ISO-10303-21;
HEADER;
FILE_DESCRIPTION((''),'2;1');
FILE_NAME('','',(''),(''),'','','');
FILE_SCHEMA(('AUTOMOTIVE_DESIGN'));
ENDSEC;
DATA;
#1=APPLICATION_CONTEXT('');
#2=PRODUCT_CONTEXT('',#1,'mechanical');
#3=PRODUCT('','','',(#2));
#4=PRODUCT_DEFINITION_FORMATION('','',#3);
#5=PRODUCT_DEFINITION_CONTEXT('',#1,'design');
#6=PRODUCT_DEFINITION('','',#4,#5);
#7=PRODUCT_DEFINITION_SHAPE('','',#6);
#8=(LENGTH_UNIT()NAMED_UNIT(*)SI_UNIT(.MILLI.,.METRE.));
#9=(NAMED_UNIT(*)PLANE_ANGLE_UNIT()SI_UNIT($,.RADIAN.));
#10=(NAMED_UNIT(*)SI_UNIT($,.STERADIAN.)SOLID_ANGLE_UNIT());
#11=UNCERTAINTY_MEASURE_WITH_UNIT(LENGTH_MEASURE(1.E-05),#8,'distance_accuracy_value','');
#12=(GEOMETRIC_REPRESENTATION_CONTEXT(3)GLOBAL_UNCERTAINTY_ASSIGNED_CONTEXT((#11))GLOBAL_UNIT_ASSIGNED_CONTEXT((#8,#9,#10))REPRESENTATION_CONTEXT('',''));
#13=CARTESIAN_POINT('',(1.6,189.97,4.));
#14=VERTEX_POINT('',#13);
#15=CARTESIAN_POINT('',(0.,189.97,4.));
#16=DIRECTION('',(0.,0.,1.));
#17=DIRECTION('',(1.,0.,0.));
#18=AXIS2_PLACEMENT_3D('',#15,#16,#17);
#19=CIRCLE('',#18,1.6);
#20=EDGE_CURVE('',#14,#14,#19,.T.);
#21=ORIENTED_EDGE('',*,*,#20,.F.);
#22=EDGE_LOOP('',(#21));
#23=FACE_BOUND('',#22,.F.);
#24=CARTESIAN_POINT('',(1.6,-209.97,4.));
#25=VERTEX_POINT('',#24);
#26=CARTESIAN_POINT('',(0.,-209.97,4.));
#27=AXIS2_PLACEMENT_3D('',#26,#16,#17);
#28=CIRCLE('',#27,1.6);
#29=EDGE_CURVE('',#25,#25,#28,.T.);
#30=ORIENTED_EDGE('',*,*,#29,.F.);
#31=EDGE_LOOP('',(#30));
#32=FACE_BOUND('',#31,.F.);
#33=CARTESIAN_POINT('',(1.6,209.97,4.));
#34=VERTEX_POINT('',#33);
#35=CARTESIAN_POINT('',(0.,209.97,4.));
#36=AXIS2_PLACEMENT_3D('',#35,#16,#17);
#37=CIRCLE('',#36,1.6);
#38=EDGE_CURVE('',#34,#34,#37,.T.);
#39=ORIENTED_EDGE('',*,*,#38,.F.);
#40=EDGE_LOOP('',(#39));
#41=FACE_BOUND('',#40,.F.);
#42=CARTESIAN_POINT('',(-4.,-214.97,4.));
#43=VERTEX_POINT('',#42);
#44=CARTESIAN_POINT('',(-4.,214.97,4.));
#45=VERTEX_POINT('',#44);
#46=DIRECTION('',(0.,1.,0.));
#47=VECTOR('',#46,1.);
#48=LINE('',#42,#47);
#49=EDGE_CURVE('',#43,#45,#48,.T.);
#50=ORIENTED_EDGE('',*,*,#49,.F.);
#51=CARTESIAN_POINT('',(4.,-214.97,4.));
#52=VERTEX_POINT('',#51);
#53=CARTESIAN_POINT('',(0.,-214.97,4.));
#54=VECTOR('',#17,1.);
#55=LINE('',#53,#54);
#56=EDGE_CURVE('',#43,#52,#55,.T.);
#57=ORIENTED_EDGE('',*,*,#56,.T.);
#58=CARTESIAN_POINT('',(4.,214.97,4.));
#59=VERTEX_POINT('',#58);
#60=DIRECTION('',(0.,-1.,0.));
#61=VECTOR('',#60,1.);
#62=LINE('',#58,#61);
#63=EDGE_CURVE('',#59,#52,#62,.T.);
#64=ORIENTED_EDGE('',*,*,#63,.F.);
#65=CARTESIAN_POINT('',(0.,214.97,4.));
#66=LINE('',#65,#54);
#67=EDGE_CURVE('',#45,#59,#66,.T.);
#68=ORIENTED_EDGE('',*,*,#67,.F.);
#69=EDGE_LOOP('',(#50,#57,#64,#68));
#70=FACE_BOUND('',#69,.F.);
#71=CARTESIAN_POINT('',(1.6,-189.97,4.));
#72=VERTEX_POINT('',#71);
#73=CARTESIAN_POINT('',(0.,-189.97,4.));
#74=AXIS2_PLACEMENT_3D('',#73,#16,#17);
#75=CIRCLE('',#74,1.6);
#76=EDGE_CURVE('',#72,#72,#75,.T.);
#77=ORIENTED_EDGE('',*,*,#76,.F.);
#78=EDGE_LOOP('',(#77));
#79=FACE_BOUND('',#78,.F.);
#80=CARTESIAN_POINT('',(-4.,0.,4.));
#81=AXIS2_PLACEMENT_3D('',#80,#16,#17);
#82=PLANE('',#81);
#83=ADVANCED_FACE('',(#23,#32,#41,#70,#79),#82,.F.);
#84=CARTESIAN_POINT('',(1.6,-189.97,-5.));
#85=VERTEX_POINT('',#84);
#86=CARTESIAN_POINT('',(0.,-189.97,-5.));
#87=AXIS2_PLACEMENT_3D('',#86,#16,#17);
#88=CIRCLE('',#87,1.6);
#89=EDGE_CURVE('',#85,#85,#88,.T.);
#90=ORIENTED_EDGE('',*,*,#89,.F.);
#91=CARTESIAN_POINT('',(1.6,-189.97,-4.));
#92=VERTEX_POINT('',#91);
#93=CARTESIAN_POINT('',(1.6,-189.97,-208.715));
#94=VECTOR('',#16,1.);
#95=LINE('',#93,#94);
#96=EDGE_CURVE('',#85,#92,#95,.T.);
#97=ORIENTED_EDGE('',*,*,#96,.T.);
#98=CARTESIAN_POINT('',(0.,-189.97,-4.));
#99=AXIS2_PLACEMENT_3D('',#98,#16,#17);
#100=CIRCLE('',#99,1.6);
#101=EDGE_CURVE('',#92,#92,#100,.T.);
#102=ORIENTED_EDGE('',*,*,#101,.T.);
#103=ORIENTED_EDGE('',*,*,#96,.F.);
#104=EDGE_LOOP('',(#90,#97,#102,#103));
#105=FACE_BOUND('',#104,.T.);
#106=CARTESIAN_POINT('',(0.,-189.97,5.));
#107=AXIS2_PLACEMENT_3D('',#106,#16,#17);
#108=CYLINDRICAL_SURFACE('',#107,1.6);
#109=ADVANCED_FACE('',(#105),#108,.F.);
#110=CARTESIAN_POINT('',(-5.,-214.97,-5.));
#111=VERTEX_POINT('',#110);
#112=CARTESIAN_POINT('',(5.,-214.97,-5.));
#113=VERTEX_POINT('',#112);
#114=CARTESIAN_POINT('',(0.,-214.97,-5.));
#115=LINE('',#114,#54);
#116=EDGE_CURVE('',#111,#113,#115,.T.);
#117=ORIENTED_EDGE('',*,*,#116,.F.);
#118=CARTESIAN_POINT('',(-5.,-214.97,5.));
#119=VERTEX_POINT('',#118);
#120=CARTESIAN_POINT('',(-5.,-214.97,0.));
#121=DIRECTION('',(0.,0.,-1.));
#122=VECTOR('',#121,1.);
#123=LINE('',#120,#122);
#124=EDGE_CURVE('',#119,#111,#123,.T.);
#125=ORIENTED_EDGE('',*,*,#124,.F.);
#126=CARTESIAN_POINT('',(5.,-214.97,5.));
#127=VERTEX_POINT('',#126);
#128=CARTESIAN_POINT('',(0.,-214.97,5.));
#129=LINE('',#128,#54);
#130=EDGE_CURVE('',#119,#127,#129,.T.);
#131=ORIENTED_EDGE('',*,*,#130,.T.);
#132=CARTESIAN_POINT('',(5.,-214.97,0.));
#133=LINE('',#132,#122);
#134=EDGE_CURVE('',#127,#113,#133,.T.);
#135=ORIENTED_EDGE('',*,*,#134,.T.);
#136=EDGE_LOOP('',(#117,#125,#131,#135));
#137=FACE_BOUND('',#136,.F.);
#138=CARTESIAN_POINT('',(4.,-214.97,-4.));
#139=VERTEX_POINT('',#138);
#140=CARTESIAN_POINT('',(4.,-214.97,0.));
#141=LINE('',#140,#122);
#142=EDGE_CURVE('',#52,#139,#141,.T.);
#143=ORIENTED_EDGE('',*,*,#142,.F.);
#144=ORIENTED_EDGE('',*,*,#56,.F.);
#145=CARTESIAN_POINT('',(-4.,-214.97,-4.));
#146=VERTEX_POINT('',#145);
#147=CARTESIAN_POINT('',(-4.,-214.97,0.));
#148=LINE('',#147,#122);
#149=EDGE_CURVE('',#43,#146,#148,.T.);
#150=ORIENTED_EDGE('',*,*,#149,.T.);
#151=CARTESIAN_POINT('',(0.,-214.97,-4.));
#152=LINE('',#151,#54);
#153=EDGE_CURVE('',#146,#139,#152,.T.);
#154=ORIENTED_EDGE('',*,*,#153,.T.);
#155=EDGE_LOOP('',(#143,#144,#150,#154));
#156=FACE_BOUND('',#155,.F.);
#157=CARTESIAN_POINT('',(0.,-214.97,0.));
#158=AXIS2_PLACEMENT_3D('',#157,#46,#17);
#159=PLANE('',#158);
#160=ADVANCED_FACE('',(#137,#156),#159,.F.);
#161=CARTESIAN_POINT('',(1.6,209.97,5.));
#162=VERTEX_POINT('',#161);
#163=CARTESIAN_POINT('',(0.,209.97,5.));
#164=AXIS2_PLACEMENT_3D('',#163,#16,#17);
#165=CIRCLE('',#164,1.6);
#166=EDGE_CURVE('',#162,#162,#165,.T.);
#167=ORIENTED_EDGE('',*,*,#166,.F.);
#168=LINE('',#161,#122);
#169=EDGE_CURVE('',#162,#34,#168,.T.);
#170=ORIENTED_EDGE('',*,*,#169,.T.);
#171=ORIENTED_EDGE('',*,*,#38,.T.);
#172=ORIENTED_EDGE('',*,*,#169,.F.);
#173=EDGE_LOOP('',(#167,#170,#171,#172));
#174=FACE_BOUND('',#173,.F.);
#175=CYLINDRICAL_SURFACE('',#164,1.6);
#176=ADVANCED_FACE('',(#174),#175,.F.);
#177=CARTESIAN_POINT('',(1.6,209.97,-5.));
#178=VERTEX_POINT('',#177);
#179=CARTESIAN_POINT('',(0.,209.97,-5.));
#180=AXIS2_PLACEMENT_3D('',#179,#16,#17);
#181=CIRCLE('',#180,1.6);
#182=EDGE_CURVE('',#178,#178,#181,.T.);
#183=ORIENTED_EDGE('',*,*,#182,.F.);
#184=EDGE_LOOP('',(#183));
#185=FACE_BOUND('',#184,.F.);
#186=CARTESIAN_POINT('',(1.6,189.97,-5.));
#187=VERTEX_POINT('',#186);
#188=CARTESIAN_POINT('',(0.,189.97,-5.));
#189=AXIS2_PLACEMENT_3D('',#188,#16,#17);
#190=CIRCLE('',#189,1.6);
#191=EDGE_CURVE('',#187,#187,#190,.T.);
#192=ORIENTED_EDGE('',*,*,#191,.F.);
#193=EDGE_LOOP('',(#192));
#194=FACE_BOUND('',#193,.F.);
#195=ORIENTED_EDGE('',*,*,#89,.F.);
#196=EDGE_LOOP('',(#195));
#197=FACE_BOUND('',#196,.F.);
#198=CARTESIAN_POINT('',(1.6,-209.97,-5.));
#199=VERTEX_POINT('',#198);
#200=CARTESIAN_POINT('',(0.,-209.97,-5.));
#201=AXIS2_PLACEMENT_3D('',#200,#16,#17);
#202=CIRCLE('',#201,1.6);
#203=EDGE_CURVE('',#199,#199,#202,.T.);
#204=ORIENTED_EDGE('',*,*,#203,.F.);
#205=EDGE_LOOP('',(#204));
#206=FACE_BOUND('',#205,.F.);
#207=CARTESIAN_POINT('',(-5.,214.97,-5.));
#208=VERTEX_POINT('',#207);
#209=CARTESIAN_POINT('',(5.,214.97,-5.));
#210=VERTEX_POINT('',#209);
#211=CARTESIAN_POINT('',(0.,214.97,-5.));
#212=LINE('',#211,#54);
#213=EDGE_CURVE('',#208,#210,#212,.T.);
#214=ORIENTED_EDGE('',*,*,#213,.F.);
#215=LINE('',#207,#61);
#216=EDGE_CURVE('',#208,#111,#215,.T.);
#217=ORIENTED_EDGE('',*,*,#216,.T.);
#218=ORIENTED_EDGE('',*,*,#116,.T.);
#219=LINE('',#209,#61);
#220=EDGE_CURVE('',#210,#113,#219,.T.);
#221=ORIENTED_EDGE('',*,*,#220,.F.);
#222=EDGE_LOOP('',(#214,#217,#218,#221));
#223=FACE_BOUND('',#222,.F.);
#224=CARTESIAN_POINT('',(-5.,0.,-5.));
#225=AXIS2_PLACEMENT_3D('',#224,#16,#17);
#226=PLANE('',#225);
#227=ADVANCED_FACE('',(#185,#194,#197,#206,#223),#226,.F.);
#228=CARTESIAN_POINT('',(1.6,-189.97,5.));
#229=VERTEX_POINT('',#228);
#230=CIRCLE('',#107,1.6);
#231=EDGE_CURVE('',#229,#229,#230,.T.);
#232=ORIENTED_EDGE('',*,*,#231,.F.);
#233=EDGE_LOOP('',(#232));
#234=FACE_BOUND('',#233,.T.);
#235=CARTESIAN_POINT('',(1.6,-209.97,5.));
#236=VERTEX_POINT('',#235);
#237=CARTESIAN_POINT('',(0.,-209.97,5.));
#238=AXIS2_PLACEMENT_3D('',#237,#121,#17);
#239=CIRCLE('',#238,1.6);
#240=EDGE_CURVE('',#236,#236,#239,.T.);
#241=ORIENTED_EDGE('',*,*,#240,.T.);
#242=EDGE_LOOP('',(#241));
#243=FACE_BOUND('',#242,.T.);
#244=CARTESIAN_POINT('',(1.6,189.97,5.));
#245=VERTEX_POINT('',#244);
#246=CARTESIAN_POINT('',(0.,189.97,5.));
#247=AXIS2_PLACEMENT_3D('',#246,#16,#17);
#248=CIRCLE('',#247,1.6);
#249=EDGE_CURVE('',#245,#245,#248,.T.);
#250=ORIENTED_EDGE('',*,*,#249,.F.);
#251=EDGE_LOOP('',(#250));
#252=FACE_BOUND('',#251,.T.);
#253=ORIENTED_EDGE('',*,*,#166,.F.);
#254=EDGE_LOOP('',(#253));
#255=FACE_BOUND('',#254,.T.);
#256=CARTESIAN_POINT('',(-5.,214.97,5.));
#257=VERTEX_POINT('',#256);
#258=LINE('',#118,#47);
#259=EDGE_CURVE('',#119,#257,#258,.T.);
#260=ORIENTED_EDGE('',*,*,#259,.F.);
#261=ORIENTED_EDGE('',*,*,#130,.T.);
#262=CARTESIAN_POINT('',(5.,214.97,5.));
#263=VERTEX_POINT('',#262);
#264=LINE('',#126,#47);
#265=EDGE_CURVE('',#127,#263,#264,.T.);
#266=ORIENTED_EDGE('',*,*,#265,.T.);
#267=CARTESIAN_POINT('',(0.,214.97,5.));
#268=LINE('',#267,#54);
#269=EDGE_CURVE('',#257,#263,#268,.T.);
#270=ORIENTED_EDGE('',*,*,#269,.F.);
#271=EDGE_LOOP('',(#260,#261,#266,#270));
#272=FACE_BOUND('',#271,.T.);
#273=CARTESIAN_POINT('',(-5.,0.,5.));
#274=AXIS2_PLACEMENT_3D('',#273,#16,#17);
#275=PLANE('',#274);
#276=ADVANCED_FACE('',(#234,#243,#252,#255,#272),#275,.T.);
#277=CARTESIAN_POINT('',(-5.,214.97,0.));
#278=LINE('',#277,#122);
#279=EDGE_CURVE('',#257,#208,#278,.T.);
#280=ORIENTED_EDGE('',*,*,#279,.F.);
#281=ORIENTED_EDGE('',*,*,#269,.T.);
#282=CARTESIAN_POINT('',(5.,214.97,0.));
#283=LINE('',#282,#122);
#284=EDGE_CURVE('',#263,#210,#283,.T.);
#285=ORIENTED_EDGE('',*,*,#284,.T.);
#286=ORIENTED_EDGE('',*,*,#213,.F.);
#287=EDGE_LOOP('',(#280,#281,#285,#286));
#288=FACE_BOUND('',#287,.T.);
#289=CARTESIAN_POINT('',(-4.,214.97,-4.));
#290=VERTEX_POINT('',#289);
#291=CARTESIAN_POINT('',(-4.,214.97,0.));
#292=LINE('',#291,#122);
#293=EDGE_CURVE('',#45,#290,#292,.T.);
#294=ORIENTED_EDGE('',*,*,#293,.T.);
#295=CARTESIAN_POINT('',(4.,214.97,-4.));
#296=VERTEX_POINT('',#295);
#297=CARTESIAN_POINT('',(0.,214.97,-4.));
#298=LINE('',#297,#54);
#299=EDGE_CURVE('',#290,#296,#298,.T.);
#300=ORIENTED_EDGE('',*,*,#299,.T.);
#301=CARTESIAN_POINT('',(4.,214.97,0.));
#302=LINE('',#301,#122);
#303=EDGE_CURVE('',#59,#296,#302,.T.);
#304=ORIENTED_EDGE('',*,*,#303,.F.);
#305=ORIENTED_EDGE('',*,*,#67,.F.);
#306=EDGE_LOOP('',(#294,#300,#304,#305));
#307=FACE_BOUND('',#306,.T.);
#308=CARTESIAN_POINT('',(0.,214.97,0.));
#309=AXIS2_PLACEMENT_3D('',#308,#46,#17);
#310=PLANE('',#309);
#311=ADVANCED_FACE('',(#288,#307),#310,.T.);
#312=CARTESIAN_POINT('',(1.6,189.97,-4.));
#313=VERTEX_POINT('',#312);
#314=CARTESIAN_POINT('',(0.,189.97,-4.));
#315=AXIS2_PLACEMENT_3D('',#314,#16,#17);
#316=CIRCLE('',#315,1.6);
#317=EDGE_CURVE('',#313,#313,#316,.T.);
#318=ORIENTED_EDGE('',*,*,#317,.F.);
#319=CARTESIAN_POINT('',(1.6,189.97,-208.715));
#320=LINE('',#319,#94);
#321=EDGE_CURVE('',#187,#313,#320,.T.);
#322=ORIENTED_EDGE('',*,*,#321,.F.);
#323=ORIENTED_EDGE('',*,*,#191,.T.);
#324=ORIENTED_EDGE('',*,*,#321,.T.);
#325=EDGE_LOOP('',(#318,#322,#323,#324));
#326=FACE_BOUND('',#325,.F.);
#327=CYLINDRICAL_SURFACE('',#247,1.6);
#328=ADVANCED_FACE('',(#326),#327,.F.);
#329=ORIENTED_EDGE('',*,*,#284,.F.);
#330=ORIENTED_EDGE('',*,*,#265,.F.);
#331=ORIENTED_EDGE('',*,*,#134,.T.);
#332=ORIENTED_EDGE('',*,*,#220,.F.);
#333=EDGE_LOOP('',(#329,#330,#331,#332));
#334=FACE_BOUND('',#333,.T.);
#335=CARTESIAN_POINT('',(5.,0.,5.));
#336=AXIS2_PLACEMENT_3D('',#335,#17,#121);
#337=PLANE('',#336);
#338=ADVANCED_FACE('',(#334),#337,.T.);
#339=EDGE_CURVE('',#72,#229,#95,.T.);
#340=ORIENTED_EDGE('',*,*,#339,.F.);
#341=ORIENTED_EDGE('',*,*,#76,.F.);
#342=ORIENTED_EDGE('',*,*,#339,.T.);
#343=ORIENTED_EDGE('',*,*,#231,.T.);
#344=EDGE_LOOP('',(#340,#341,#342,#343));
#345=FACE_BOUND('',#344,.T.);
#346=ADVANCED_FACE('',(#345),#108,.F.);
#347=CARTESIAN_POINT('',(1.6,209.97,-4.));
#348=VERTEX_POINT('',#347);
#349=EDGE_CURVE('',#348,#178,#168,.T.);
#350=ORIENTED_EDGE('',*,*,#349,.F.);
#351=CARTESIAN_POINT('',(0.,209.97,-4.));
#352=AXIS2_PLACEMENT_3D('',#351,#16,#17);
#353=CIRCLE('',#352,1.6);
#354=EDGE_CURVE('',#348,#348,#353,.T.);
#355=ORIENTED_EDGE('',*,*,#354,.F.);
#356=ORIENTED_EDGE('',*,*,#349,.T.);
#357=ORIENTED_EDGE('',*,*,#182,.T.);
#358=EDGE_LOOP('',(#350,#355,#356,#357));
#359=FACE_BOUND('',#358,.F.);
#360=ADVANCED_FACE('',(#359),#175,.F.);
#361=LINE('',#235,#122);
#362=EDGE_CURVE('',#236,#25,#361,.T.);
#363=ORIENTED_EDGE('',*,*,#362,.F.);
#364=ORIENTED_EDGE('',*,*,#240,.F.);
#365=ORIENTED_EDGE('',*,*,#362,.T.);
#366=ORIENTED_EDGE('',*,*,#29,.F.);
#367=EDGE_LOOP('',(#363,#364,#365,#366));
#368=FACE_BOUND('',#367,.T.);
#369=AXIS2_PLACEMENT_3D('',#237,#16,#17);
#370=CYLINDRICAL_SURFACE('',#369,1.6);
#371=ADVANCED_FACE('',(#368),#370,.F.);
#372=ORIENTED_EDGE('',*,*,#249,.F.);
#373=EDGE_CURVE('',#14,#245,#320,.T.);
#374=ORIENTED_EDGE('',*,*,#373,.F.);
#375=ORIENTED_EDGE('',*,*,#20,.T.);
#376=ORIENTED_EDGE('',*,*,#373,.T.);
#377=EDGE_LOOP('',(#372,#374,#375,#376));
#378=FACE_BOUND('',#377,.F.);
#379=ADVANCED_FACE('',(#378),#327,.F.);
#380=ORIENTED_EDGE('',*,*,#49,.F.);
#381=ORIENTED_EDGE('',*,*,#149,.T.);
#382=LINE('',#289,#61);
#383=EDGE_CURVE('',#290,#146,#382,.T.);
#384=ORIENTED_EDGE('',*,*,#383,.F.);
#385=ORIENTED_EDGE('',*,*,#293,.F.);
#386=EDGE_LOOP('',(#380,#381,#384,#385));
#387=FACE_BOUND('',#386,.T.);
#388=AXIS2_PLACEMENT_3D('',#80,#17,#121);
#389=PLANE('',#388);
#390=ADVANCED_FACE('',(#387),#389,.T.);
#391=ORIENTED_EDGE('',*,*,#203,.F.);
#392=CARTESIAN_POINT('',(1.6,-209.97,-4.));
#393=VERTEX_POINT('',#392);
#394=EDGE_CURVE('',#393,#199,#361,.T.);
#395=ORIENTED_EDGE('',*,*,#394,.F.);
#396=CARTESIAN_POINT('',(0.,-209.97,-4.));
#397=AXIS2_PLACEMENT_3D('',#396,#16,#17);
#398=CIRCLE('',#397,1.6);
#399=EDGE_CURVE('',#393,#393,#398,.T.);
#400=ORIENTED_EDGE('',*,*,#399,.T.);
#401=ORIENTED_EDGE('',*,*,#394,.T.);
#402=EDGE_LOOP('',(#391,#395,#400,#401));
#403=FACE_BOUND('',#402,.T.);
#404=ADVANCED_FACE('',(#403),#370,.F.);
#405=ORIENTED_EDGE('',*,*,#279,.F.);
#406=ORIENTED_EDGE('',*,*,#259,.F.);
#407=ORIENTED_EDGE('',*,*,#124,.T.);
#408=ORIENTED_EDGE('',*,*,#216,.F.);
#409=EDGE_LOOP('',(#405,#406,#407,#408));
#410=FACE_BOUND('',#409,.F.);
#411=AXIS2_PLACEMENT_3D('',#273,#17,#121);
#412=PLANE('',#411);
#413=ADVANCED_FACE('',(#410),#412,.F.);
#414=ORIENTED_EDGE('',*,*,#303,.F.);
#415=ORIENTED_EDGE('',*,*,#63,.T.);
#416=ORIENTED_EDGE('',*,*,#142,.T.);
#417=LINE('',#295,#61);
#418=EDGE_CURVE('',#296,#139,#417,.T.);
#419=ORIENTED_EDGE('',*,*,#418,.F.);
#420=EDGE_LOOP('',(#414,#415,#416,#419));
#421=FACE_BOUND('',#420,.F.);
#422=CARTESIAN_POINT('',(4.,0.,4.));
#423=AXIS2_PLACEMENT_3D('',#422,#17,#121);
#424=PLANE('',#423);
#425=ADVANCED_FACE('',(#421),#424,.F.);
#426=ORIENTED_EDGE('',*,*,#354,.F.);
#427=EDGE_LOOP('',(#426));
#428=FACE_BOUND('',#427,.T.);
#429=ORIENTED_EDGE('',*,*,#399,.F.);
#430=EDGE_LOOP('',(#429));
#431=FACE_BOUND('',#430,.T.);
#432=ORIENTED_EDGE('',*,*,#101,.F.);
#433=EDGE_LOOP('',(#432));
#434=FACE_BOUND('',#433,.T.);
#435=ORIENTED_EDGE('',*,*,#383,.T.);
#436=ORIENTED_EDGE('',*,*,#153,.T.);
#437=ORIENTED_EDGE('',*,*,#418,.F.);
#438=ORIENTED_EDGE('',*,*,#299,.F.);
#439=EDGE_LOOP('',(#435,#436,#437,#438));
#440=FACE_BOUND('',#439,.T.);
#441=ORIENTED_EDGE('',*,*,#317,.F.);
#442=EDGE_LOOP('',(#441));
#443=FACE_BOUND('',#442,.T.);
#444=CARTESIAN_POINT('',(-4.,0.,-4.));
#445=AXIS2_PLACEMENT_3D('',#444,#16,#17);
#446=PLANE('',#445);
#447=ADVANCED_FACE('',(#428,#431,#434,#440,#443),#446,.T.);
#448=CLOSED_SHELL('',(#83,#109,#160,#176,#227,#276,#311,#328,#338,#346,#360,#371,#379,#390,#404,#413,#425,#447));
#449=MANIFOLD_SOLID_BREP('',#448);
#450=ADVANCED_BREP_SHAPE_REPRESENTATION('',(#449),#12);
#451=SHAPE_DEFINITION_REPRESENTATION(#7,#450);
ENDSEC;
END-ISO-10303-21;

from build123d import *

# Parameters (mm, degrees)
SKETCH_1_W          = 10
SKETCH_1_H          = 10
SKETCH_1_W_2        = 8
SKETCH_1_H_2        = 8
EXTRUDE_1_DEPTH     = 214.97
SKETCH_2_R          = 1.6
CUT_EXTRUDE_1_DEPTH = 213.715


with BuildPart() as part:
    # ｽｹｯﾁ1 → ﾎﾞｽ - 押し出し1 (new, symmetric)
    with BuildSketch(Plane(origin=(0, 0, 0), x_dir=(1, 0, 0), z_dir=(0, 1, 0))):
        Rectangle(SKETCH_1_W, SKETCH_1_H)
        Rectangle(SKETCH_1_W_2, SKETCH_1_H_2, mode=Mode.SUBTRACT)
    extrude(amount=EXTRUDE_1_DEPTH, both=True)

    # ｽｹｯﾁ2 → ｶｯﾄ - 押し出し1 (cut, symmetric)
    with BuildSketch(Plane.XY.offset(5)):
        with Locations((0, 209.97)):
            Circle(SKETCH_2_R)
        with Locations((0, 189.97)):
            Circle(SKETCH_2_R)
    cut_extrude_1 = extrude(amount=CUT_EXTRUDE_1_DEPTH, both=True, mode=Mode.SUBTRACT)

    # ﾐﾗｰ1: ｶｯﾄ - 押し出し1 across plane
    add(cut_extrude_1.mirror(Plane.ZX), mode=Mode.SUBTRACT)


solid = part.part
